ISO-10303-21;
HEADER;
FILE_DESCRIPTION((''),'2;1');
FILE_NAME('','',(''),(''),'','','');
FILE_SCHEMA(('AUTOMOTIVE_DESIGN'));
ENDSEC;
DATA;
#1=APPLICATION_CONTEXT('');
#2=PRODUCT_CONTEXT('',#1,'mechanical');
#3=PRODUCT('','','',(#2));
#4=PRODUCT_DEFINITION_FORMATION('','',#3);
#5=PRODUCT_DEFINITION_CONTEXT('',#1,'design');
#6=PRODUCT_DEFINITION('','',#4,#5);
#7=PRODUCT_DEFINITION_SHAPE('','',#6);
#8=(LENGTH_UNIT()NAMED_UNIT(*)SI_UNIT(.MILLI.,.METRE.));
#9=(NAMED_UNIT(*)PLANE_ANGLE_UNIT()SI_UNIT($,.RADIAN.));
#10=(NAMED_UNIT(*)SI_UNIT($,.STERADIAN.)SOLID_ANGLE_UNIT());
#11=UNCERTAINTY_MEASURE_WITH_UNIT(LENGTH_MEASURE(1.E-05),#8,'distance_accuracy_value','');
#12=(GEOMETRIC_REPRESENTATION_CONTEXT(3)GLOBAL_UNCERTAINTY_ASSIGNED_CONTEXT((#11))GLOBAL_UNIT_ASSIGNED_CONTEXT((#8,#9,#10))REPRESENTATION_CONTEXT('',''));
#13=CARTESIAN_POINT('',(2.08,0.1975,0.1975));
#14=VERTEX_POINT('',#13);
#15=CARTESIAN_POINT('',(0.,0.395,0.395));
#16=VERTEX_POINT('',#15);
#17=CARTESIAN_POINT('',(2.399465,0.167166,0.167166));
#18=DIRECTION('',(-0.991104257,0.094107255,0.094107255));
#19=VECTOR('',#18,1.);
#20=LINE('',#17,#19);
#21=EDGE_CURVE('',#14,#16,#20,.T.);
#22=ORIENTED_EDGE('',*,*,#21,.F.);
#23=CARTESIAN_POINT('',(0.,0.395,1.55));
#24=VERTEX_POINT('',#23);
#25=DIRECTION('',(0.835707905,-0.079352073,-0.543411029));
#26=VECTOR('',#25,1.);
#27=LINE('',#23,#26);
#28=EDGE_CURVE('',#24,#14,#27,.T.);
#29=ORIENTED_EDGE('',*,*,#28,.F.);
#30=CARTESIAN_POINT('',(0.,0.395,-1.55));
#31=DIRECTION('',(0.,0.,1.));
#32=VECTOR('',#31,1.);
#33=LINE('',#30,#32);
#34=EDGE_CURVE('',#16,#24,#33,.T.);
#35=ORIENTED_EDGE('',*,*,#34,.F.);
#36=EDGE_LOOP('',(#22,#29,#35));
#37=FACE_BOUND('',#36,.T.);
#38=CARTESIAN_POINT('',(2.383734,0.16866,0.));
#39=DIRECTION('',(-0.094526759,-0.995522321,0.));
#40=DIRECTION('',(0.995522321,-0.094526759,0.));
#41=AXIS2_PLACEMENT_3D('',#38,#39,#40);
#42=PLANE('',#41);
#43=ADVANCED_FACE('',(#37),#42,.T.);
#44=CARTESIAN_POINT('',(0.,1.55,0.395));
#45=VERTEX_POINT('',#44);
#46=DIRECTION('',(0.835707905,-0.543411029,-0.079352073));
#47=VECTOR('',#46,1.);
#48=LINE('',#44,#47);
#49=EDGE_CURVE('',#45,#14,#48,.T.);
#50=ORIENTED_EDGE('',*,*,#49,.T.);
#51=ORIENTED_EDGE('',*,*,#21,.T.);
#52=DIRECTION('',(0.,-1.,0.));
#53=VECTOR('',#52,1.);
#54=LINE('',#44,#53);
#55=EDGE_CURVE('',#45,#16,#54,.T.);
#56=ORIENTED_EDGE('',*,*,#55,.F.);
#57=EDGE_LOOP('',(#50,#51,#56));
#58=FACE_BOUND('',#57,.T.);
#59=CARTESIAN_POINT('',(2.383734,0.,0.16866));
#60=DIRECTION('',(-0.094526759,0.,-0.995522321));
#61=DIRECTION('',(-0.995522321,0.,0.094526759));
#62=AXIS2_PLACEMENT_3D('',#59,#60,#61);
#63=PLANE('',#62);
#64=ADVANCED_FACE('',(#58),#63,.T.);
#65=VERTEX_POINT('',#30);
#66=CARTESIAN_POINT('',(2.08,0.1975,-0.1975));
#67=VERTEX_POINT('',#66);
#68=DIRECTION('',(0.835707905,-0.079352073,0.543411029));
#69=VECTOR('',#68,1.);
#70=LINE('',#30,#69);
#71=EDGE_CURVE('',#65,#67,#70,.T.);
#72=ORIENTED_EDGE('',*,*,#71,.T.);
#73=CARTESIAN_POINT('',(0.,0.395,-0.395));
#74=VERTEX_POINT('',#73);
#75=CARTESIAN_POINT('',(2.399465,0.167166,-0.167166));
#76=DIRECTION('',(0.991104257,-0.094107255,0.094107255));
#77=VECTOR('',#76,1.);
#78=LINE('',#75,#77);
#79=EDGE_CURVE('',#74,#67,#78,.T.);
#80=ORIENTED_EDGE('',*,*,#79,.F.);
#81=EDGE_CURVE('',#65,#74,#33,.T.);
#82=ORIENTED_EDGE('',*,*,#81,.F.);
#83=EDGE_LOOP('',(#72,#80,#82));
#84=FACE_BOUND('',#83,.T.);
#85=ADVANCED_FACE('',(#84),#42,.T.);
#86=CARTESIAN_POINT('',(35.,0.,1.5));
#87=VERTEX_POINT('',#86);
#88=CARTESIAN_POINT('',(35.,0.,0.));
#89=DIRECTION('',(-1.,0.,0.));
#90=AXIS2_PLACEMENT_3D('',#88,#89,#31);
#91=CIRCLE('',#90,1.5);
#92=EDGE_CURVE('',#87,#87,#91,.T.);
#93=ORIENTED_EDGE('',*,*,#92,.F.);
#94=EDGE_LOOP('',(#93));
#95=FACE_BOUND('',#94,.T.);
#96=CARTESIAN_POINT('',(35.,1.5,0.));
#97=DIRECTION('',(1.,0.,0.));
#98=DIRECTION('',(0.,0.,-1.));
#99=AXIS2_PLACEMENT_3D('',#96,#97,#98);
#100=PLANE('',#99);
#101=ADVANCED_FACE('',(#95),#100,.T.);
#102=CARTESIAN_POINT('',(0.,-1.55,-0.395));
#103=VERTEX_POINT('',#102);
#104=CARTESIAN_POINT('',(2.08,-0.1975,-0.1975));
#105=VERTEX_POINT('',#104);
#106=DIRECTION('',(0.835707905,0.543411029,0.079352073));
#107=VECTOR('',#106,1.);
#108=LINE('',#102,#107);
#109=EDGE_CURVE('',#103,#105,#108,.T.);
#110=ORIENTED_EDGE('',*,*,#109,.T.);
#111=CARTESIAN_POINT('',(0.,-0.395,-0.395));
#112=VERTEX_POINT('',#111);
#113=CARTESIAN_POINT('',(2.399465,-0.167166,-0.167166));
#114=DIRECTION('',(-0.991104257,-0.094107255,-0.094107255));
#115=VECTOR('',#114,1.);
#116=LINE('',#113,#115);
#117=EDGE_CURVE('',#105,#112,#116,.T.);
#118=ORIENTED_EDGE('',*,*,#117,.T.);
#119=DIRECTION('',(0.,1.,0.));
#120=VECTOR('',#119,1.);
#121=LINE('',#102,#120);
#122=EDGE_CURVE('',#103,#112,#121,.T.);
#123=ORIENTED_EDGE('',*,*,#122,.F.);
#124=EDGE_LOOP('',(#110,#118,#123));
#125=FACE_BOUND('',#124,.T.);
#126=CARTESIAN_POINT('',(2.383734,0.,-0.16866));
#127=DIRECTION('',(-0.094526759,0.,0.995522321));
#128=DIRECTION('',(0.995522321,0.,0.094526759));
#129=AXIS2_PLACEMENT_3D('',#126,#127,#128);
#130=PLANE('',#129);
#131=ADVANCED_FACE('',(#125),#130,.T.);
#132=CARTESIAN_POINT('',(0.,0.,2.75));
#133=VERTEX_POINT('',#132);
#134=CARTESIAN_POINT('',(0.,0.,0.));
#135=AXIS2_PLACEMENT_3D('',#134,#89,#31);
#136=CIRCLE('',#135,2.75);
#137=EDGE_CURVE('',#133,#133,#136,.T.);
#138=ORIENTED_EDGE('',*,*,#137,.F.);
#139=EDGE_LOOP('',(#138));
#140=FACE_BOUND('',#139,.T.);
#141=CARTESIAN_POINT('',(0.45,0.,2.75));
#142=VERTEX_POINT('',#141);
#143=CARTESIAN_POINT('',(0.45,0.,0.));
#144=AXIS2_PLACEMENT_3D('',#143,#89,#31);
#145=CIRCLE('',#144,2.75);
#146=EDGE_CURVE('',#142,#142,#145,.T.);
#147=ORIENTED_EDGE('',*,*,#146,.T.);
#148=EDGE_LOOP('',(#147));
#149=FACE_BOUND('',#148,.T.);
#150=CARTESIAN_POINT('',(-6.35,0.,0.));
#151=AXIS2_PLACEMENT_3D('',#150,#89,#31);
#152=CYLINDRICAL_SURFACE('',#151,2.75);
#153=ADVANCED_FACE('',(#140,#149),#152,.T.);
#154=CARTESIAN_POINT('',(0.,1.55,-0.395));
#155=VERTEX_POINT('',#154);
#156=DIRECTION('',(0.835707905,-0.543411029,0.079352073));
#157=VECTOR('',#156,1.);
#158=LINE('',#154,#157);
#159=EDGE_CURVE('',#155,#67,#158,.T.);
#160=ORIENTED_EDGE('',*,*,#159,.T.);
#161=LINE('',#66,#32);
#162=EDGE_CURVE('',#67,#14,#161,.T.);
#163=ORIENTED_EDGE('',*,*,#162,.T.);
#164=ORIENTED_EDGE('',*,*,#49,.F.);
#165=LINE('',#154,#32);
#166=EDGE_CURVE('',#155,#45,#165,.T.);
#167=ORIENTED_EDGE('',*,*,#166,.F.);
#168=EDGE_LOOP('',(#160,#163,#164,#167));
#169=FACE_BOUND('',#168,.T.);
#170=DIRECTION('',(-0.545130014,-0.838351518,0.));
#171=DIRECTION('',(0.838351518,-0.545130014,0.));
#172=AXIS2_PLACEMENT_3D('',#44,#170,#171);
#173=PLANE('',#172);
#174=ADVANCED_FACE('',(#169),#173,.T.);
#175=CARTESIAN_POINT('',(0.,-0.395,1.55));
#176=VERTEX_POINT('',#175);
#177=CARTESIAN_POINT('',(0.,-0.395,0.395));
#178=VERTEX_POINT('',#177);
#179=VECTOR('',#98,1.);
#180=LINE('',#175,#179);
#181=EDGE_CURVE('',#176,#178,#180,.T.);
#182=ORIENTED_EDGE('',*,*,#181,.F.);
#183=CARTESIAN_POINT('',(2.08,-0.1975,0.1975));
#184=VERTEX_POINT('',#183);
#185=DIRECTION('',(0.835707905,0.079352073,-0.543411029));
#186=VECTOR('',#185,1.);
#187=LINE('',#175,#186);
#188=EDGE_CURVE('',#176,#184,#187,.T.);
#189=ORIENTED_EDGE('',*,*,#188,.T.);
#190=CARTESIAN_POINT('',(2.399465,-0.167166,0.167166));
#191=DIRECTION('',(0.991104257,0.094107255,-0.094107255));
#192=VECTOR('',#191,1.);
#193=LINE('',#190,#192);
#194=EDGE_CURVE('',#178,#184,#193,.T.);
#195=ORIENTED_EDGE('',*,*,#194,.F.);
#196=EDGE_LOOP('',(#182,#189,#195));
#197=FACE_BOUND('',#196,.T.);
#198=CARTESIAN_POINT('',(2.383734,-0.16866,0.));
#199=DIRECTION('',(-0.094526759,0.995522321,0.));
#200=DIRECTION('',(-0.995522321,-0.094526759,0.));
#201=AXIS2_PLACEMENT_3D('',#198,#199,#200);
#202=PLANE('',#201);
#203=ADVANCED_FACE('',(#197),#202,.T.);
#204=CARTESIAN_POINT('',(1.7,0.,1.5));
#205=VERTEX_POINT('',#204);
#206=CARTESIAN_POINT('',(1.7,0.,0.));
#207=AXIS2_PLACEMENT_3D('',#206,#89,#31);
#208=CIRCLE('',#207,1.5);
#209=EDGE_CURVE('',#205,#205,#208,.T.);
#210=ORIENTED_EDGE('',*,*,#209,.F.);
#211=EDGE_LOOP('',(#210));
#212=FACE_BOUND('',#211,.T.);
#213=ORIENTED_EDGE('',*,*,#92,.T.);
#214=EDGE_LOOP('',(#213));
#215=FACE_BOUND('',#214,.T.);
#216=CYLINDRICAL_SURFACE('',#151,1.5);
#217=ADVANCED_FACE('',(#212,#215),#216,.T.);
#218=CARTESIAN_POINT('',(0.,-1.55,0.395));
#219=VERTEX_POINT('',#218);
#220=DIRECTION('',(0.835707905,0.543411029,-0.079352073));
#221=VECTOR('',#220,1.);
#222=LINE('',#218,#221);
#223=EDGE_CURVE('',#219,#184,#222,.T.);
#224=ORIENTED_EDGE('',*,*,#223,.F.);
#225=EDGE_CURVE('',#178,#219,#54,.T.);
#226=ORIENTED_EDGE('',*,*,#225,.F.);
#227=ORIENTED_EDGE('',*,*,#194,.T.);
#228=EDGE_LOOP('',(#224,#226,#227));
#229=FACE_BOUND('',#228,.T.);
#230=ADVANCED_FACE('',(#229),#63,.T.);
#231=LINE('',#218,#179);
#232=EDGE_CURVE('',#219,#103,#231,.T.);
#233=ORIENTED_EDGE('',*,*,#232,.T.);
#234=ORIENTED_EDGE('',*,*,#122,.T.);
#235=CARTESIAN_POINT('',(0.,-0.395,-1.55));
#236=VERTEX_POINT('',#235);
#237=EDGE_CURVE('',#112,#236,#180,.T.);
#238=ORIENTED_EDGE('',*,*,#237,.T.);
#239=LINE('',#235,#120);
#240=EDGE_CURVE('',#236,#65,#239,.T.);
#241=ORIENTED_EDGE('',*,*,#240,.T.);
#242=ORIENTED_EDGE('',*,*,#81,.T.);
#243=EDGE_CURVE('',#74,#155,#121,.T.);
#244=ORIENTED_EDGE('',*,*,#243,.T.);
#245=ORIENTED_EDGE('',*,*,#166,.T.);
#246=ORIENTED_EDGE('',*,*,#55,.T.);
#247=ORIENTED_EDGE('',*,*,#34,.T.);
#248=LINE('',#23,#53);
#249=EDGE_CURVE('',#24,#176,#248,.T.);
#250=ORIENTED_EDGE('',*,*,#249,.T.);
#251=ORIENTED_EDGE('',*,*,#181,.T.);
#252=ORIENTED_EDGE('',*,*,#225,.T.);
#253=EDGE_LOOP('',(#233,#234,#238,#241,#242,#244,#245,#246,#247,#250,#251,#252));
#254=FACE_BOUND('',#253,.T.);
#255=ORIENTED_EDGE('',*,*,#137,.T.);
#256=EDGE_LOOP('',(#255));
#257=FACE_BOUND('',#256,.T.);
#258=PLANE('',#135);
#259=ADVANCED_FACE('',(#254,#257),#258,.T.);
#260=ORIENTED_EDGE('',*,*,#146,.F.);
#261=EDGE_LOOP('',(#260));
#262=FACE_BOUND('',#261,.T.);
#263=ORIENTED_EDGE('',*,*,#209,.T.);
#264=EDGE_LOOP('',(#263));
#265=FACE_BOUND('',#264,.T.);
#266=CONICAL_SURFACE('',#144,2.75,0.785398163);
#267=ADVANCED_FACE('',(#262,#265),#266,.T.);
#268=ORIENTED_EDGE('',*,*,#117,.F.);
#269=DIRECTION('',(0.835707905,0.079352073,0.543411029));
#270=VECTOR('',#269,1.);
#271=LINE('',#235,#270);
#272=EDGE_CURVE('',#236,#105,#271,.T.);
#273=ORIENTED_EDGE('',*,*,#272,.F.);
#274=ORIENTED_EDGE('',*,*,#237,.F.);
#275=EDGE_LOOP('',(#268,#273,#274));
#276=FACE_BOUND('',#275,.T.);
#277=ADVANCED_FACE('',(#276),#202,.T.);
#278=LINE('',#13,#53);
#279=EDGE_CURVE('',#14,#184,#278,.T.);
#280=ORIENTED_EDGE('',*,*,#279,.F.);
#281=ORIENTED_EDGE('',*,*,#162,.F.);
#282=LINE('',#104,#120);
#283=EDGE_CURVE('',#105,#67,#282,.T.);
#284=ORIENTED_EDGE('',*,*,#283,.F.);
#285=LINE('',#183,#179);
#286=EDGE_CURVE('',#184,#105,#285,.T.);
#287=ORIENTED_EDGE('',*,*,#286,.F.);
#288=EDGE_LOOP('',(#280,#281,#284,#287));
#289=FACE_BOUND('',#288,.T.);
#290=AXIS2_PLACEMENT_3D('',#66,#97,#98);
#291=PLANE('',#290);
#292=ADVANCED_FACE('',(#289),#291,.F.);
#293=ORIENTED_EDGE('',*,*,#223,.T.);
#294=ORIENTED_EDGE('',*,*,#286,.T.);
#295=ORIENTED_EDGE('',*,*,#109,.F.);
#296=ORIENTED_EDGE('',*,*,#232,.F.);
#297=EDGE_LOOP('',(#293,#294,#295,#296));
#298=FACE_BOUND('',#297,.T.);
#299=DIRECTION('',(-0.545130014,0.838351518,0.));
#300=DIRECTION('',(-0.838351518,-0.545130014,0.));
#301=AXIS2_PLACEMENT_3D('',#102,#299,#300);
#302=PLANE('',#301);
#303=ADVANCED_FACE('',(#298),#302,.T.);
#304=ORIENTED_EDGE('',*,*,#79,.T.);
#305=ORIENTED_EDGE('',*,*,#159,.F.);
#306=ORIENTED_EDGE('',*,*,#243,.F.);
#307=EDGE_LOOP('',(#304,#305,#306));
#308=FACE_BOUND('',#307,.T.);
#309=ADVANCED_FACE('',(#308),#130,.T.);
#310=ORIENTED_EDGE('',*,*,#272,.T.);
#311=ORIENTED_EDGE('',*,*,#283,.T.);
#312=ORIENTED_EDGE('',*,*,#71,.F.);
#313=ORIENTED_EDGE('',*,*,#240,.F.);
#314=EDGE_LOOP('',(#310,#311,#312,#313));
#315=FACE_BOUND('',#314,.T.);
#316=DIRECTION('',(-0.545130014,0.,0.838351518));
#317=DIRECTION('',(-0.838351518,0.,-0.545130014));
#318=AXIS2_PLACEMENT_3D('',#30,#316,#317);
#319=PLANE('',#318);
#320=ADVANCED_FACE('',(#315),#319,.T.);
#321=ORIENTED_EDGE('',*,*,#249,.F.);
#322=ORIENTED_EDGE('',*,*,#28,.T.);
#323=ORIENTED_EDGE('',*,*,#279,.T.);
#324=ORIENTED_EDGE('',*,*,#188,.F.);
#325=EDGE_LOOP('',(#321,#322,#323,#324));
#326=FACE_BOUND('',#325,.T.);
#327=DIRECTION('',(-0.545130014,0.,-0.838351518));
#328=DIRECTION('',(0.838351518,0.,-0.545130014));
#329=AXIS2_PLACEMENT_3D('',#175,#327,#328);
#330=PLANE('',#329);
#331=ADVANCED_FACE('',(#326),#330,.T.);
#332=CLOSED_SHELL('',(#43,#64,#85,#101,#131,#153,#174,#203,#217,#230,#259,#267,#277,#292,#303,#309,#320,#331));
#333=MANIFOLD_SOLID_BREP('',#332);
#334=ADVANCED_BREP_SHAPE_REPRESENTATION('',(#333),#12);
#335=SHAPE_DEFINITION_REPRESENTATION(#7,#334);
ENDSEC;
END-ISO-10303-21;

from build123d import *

# Parameters (mm, degrees)
CIRPATTERN1_COUNT = 2
CIRPATTERN1_ANGLE = 90


with BuildPart() as part:
    # BodySke → Base-Revolve (revolve)
    with BuildSketch(Plane.XY, mode=Mode.PRIVATE) as base_revolve_sk:
        Polygon((0, 0), (0, 2.75), (0.45, 2.75), (1.7, 1.5), (35, 1.5), (35, 0), align=None)
    revolve(base_revolve_sk.sketch.rotate(Axis((-6.35, 0, 0), (1, 0, 0)), 90), axis=Axis((-6.35, 0, 0), (1, 0, 0)))

    # Sketch3 → Cross section 0
    with BuildSketch(Plane.ZY):
        with BuildLine():
            Line((-0.395, 1.55), (0.395, 1.55))
            Line((0.395, 1.55), (0.395, -1.55))
            Line((0.395, -1.55), (-0.395, -1.55))
            Line((-0.395, -1.55), (-0.395, 1.55))
        make_face()
    # Sketch4 → Cross section 1
    with BuildSketch(Plane.ZY.offset(-2.08)):
        with BuildLine():
            Line((-0.1975, 0.1975), (0.1975, 0.1975))
            Line((0.1975, 0.1975), (0.1975, -0.1975))
            Line((0.1975, -0.1975), (-0.1975, -0.1975))
            Line((-0.1975, -0.1975), (-0.1975, 0.1975))
        make_face()
    cross = loft(mode=Mode.SUBTRACT)

    # CirPattern1: Cross ×2 about axis
    cirpattern1_axis = Axis((0, 0, 0), (1, 0, 0))
    for i in range(1, CIRPATTERN1_COUNT):
        add(cross.rotate(cirpattern1_axis, i * CIRPATTERN1_ANGLE / (CIRPATTERN1_COUNT - 1)), mode=Mode.SUBTRACT)


solid = part.part
